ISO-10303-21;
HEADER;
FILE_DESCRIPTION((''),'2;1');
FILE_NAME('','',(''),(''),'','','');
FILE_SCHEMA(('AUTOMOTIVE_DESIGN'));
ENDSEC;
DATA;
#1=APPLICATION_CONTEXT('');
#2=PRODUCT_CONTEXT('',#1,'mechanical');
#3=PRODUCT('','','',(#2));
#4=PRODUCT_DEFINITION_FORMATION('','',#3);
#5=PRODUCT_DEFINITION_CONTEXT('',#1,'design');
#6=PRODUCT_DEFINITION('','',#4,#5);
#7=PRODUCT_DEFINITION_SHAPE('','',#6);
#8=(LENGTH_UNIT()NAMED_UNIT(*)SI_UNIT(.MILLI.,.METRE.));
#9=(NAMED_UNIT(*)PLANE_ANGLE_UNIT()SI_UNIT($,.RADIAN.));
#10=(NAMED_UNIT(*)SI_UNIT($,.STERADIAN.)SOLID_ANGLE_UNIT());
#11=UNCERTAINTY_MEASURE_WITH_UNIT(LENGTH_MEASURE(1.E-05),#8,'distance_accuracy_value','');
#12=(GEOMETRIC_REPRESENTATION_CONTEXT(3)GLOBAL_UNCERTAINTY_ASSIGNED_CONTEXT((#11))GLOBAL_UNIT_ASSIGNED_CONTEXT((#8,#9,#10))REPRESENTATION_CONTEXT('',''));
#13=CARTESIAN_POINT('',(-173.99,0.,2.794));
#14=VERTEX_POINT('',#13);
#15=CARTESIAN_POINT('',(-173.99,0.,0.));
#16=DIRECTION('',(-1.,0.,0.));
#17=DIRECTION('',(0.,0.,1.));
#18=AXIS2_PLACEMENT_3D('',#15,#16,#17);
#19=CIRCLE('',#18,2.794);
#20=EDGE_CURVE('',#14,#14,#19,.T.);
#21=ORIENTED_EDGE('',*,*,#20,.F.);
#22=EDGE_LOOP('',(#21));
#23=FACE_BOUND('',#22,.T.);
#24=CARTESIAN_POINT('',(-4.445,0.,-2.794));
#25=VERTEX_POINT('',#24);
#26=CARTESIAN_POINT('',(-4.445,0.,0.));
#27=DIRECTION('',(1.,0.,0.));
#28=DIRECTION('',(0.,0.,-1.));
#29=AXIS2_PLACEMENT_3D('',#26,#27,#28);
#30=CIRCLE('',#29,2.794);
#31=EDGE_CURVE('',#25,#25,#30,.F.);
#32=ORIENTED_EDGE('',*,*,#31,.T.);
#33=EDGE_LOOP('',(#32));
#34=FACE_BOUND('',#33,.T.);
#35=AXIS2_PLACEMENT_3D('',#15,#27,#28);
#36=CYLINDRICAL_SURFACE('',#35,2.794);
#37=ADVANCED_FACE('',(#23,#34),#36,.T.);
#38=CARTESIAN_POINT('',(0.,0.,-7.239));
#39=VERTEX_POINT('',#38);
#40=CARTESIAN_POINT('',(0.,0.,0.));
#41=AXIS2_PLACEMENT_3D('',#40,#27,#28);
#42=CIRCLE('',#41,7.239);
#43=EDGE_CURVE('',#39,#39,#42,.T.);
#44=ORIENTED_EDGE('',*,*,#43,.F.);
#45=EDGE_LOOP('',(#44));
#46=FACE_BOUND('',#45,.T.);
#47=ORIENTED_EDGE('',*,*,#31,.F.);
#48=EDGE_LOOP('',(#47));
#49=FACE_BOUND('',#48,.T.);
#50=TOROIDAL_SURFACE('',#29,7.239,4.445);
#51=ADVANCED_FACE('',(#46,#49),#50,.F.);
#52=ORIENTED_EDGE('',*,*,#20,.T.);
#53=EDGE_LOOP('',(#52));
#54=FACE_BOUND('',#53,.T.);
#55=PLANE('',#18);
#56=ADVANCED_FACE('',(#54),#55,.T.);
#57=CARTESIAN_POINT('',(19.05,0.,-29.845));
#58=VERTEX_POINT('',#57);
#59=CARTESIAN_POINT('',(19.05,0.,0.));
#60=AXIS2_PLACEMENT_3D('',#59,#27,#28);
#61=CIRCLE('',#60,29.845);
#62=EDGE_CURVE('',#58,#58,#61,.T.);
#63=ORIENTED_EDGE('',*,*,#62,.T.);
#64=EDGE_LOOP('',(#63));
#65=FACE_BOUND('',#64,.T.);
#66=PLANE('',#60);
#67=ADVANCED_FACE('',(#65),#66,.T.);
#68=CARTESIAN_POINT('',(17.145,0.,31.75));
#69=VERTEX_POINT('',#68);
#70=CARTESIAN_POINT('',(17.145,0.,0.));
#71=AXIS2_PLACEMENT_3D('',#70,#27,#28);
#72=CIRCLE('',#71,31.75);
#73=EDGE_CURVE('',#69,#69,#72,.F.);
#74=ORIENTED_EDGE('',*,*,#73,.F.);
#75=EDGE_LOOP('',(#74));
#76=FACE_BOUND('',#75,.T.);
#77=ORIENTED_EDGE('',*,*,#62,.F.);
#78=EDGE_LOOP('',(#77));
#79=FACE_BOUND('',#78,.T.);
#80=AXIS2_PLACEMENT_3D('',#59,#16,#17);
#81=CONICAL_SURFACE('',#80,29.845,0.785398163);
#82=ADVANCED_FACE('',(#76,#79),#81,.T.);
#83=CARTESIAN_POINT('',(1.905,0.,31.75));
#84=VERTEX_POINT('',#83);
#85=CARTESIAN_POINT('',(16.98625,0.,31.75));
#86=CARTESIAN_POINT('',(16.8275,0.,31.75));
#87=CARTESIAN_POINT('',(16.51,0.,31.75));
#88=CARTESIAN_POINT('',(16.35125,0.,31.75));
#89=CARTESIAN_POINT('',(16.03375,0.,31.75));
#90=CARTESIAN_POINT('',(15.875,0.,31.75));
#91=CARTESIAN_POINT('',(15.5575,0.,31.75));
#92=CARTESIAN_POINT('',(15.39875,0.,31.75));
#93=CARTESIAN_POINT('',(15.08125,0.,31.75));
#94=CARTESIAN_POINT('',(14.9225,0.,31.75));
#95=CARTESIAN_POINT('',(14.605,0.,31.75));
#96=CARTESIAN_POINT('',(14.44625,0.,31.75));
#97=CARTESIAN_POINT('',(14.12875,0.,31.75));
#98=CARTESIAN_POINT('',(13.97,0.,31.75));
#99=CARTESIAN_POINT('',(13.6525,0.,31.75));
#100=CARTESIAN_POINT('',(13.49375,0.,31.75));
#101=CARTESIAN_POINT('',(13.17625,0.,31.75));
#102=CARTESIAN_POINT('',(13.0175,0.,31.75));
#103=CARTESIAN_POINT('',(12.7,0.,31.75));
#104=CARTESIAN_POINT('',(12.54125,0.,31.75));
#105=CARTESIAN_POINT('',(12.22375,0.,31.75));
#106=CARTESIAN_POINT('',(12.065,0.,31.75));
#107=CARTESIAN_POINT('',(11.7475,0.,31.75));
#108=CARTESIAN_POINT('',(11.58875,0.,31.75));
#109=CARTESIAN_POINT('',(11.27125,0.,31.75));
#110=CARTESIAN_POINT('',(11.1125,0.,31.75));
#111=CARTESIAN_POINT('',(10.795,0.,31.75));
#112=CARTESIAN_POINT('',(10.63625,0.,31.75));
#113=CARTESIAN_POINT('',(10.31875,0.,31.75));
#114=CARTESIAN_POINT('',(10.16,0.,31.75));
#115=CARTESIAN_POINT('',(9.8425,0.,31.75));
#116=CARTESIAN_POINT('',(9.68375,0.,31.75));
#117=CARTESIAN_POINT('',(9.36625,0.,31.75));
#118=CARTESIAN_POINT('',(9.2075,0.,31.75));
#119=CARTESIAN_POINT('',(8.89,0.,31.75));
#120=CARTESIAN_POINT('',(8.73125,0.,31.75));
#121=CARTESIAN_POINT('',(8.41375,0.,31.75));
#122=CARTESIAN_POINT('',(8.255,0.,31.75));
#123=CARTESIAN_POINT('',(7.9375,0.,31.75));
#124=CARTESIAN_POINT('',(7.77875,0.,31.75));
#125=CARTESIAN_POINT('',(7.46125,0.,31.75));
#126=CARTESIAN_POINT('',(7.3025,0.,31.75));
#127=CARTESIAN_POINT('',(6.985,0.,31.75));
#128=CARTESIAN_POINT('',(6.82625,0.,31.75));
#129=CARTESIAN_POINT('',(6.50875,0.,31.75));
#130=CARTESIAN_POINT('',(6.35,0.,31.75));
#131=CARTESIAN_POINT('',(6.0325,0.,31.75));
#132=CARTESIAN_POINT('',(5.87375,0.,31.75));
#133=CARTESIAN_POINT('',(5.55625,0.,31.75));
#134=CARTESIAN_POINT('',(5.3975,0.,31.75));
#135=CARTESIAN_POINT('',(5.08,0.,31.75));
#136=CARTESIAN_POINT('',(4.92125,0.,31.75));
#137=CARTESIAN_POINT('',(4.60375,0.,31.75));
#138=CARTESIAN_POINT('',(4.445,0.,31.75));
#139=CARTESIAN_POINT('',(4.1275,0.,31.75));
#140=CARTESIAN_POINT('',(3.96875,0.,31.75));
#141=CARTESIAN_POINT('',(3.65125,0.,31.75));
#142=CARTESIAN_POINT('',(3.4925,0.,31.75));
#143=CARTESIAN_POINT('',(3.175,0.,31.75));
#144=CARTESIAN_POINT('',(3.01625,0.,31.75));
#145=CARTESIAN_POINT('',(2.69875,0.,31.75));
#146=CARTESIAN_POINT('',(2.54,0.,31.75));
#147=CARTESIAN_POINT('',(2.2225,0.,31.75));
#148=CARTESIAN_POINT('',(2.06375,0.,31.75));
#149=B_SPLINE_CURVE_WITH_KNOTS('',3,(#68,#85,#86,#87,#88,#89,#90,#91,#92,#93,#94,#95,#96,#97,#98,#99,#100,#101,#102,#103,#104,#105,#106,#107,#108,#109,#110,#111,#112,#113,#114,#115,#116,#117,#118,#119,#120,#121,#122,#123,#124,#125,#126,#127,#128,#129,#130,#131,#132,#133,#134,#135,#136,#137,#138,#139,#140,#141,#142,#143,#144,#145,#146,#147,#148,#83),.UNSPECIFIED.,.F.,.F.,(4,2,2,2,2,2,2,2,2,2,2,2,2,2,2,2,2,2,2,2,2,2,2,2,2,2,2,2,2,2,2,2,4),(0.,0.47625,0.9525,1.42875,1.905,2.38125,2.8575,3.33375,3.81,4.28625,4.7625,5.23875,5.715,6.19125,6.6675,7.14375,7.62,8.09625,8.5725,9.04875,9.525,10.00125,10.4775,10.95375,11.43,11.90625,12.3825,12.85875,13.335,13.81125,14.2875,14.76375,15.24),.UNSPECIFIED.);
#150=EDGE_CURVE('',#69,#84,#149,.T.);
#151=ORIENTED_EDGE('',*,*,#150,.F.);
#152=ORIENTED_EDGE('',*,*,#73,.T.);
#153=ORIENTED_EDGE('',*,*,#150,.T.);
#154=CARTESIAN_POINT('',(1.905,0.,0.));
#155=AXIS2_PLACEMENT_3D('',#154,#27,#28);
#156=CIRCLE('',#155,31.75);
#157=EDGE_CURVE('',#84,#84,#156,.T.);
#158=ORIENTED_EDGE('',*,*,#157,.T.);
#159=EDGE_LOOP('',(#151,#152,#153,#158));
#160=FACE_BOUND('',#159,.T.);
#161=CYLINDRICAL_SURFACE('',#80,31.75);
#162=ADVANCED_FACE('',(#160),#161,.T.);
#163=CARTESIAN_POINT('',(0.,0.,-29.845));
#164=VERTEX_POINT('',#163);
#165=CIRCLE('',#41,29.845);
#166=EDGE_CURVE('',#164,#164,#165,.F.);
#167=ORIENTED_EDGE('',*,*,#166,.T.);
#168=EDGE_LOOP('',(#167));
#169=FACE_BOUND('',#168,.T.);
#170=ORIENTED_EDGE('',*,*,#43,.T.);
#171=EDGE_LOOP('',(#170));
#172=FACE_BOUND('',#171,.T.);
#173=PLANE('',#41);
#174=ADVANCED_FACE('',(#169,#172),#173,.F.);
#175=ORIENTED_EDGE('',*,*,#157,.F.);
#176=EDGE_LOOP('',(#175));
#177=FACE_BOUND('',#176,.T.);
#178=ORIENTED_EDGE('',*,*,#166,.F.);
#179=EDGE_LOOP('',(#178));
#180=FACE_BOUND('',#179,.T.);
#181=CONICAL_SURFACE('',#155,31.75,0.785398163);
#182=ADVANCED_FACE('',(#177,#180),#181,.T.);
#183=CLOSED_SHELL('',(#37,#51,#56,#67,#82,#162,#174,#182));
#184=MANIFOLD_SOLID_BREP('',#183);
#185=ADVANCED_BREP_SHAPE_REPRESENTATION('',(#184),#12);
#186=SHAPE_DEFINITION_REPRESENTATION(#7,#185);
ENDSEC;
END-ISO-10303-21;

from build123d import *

# Parameters (mm, degrees)
SKETCH1_R           = 31.75
BOSS_EXTRUDE1_DEPTH = 19.05
SKETCH2_R           = 2.794
BOSS_EXTRUDE2_DEPTH = 173.99
FILLET1_R           = 4.445
CHAMFER1_SIZE       = 1.905


with BuildPart() as part:
    # Sketch1 → Boss-Extrude1 (new body)
    with BuildSketch(Plane(origin=(0, 0, 0), x_dir=(0, 0, -1), z_dir=(1, 0, 0))):
        with Locations(Location((0, 0, 0), (0, 0, 180))):
            Circle(SKETCH1_R)
    extrude(amount=BOSS_EXTRUDE1_DEPTH)

    # Sketch2 → Boss-Extrude2 (add)
    with BuildSketch(Plane.ZY):
        with Locations(Location((0, 0, 0), (0, 0, 180))):
            Circle(SKETCH2_R)
    extrude(amount=BOSS_EXTRUDE2_DEPTH)

    # Fillet1
    fillet1_edges = [part.edges().sort_by_distance(p)[0] for p in [
        (0, 0, 2.794),
    ]]
    fillet(fillet1_edges, radius=FILLET1_R)

    # Chamfer1
    chamfer1_edges = [part.edges().sort_by_distance(p)[0] for p in [
        (0, 0, -31.75),
        (19.05, 0, -31.75),
    ]]
    chamfer(chamfer1_edges, length=CHAMFER1_SIZE)


solid = part.part
